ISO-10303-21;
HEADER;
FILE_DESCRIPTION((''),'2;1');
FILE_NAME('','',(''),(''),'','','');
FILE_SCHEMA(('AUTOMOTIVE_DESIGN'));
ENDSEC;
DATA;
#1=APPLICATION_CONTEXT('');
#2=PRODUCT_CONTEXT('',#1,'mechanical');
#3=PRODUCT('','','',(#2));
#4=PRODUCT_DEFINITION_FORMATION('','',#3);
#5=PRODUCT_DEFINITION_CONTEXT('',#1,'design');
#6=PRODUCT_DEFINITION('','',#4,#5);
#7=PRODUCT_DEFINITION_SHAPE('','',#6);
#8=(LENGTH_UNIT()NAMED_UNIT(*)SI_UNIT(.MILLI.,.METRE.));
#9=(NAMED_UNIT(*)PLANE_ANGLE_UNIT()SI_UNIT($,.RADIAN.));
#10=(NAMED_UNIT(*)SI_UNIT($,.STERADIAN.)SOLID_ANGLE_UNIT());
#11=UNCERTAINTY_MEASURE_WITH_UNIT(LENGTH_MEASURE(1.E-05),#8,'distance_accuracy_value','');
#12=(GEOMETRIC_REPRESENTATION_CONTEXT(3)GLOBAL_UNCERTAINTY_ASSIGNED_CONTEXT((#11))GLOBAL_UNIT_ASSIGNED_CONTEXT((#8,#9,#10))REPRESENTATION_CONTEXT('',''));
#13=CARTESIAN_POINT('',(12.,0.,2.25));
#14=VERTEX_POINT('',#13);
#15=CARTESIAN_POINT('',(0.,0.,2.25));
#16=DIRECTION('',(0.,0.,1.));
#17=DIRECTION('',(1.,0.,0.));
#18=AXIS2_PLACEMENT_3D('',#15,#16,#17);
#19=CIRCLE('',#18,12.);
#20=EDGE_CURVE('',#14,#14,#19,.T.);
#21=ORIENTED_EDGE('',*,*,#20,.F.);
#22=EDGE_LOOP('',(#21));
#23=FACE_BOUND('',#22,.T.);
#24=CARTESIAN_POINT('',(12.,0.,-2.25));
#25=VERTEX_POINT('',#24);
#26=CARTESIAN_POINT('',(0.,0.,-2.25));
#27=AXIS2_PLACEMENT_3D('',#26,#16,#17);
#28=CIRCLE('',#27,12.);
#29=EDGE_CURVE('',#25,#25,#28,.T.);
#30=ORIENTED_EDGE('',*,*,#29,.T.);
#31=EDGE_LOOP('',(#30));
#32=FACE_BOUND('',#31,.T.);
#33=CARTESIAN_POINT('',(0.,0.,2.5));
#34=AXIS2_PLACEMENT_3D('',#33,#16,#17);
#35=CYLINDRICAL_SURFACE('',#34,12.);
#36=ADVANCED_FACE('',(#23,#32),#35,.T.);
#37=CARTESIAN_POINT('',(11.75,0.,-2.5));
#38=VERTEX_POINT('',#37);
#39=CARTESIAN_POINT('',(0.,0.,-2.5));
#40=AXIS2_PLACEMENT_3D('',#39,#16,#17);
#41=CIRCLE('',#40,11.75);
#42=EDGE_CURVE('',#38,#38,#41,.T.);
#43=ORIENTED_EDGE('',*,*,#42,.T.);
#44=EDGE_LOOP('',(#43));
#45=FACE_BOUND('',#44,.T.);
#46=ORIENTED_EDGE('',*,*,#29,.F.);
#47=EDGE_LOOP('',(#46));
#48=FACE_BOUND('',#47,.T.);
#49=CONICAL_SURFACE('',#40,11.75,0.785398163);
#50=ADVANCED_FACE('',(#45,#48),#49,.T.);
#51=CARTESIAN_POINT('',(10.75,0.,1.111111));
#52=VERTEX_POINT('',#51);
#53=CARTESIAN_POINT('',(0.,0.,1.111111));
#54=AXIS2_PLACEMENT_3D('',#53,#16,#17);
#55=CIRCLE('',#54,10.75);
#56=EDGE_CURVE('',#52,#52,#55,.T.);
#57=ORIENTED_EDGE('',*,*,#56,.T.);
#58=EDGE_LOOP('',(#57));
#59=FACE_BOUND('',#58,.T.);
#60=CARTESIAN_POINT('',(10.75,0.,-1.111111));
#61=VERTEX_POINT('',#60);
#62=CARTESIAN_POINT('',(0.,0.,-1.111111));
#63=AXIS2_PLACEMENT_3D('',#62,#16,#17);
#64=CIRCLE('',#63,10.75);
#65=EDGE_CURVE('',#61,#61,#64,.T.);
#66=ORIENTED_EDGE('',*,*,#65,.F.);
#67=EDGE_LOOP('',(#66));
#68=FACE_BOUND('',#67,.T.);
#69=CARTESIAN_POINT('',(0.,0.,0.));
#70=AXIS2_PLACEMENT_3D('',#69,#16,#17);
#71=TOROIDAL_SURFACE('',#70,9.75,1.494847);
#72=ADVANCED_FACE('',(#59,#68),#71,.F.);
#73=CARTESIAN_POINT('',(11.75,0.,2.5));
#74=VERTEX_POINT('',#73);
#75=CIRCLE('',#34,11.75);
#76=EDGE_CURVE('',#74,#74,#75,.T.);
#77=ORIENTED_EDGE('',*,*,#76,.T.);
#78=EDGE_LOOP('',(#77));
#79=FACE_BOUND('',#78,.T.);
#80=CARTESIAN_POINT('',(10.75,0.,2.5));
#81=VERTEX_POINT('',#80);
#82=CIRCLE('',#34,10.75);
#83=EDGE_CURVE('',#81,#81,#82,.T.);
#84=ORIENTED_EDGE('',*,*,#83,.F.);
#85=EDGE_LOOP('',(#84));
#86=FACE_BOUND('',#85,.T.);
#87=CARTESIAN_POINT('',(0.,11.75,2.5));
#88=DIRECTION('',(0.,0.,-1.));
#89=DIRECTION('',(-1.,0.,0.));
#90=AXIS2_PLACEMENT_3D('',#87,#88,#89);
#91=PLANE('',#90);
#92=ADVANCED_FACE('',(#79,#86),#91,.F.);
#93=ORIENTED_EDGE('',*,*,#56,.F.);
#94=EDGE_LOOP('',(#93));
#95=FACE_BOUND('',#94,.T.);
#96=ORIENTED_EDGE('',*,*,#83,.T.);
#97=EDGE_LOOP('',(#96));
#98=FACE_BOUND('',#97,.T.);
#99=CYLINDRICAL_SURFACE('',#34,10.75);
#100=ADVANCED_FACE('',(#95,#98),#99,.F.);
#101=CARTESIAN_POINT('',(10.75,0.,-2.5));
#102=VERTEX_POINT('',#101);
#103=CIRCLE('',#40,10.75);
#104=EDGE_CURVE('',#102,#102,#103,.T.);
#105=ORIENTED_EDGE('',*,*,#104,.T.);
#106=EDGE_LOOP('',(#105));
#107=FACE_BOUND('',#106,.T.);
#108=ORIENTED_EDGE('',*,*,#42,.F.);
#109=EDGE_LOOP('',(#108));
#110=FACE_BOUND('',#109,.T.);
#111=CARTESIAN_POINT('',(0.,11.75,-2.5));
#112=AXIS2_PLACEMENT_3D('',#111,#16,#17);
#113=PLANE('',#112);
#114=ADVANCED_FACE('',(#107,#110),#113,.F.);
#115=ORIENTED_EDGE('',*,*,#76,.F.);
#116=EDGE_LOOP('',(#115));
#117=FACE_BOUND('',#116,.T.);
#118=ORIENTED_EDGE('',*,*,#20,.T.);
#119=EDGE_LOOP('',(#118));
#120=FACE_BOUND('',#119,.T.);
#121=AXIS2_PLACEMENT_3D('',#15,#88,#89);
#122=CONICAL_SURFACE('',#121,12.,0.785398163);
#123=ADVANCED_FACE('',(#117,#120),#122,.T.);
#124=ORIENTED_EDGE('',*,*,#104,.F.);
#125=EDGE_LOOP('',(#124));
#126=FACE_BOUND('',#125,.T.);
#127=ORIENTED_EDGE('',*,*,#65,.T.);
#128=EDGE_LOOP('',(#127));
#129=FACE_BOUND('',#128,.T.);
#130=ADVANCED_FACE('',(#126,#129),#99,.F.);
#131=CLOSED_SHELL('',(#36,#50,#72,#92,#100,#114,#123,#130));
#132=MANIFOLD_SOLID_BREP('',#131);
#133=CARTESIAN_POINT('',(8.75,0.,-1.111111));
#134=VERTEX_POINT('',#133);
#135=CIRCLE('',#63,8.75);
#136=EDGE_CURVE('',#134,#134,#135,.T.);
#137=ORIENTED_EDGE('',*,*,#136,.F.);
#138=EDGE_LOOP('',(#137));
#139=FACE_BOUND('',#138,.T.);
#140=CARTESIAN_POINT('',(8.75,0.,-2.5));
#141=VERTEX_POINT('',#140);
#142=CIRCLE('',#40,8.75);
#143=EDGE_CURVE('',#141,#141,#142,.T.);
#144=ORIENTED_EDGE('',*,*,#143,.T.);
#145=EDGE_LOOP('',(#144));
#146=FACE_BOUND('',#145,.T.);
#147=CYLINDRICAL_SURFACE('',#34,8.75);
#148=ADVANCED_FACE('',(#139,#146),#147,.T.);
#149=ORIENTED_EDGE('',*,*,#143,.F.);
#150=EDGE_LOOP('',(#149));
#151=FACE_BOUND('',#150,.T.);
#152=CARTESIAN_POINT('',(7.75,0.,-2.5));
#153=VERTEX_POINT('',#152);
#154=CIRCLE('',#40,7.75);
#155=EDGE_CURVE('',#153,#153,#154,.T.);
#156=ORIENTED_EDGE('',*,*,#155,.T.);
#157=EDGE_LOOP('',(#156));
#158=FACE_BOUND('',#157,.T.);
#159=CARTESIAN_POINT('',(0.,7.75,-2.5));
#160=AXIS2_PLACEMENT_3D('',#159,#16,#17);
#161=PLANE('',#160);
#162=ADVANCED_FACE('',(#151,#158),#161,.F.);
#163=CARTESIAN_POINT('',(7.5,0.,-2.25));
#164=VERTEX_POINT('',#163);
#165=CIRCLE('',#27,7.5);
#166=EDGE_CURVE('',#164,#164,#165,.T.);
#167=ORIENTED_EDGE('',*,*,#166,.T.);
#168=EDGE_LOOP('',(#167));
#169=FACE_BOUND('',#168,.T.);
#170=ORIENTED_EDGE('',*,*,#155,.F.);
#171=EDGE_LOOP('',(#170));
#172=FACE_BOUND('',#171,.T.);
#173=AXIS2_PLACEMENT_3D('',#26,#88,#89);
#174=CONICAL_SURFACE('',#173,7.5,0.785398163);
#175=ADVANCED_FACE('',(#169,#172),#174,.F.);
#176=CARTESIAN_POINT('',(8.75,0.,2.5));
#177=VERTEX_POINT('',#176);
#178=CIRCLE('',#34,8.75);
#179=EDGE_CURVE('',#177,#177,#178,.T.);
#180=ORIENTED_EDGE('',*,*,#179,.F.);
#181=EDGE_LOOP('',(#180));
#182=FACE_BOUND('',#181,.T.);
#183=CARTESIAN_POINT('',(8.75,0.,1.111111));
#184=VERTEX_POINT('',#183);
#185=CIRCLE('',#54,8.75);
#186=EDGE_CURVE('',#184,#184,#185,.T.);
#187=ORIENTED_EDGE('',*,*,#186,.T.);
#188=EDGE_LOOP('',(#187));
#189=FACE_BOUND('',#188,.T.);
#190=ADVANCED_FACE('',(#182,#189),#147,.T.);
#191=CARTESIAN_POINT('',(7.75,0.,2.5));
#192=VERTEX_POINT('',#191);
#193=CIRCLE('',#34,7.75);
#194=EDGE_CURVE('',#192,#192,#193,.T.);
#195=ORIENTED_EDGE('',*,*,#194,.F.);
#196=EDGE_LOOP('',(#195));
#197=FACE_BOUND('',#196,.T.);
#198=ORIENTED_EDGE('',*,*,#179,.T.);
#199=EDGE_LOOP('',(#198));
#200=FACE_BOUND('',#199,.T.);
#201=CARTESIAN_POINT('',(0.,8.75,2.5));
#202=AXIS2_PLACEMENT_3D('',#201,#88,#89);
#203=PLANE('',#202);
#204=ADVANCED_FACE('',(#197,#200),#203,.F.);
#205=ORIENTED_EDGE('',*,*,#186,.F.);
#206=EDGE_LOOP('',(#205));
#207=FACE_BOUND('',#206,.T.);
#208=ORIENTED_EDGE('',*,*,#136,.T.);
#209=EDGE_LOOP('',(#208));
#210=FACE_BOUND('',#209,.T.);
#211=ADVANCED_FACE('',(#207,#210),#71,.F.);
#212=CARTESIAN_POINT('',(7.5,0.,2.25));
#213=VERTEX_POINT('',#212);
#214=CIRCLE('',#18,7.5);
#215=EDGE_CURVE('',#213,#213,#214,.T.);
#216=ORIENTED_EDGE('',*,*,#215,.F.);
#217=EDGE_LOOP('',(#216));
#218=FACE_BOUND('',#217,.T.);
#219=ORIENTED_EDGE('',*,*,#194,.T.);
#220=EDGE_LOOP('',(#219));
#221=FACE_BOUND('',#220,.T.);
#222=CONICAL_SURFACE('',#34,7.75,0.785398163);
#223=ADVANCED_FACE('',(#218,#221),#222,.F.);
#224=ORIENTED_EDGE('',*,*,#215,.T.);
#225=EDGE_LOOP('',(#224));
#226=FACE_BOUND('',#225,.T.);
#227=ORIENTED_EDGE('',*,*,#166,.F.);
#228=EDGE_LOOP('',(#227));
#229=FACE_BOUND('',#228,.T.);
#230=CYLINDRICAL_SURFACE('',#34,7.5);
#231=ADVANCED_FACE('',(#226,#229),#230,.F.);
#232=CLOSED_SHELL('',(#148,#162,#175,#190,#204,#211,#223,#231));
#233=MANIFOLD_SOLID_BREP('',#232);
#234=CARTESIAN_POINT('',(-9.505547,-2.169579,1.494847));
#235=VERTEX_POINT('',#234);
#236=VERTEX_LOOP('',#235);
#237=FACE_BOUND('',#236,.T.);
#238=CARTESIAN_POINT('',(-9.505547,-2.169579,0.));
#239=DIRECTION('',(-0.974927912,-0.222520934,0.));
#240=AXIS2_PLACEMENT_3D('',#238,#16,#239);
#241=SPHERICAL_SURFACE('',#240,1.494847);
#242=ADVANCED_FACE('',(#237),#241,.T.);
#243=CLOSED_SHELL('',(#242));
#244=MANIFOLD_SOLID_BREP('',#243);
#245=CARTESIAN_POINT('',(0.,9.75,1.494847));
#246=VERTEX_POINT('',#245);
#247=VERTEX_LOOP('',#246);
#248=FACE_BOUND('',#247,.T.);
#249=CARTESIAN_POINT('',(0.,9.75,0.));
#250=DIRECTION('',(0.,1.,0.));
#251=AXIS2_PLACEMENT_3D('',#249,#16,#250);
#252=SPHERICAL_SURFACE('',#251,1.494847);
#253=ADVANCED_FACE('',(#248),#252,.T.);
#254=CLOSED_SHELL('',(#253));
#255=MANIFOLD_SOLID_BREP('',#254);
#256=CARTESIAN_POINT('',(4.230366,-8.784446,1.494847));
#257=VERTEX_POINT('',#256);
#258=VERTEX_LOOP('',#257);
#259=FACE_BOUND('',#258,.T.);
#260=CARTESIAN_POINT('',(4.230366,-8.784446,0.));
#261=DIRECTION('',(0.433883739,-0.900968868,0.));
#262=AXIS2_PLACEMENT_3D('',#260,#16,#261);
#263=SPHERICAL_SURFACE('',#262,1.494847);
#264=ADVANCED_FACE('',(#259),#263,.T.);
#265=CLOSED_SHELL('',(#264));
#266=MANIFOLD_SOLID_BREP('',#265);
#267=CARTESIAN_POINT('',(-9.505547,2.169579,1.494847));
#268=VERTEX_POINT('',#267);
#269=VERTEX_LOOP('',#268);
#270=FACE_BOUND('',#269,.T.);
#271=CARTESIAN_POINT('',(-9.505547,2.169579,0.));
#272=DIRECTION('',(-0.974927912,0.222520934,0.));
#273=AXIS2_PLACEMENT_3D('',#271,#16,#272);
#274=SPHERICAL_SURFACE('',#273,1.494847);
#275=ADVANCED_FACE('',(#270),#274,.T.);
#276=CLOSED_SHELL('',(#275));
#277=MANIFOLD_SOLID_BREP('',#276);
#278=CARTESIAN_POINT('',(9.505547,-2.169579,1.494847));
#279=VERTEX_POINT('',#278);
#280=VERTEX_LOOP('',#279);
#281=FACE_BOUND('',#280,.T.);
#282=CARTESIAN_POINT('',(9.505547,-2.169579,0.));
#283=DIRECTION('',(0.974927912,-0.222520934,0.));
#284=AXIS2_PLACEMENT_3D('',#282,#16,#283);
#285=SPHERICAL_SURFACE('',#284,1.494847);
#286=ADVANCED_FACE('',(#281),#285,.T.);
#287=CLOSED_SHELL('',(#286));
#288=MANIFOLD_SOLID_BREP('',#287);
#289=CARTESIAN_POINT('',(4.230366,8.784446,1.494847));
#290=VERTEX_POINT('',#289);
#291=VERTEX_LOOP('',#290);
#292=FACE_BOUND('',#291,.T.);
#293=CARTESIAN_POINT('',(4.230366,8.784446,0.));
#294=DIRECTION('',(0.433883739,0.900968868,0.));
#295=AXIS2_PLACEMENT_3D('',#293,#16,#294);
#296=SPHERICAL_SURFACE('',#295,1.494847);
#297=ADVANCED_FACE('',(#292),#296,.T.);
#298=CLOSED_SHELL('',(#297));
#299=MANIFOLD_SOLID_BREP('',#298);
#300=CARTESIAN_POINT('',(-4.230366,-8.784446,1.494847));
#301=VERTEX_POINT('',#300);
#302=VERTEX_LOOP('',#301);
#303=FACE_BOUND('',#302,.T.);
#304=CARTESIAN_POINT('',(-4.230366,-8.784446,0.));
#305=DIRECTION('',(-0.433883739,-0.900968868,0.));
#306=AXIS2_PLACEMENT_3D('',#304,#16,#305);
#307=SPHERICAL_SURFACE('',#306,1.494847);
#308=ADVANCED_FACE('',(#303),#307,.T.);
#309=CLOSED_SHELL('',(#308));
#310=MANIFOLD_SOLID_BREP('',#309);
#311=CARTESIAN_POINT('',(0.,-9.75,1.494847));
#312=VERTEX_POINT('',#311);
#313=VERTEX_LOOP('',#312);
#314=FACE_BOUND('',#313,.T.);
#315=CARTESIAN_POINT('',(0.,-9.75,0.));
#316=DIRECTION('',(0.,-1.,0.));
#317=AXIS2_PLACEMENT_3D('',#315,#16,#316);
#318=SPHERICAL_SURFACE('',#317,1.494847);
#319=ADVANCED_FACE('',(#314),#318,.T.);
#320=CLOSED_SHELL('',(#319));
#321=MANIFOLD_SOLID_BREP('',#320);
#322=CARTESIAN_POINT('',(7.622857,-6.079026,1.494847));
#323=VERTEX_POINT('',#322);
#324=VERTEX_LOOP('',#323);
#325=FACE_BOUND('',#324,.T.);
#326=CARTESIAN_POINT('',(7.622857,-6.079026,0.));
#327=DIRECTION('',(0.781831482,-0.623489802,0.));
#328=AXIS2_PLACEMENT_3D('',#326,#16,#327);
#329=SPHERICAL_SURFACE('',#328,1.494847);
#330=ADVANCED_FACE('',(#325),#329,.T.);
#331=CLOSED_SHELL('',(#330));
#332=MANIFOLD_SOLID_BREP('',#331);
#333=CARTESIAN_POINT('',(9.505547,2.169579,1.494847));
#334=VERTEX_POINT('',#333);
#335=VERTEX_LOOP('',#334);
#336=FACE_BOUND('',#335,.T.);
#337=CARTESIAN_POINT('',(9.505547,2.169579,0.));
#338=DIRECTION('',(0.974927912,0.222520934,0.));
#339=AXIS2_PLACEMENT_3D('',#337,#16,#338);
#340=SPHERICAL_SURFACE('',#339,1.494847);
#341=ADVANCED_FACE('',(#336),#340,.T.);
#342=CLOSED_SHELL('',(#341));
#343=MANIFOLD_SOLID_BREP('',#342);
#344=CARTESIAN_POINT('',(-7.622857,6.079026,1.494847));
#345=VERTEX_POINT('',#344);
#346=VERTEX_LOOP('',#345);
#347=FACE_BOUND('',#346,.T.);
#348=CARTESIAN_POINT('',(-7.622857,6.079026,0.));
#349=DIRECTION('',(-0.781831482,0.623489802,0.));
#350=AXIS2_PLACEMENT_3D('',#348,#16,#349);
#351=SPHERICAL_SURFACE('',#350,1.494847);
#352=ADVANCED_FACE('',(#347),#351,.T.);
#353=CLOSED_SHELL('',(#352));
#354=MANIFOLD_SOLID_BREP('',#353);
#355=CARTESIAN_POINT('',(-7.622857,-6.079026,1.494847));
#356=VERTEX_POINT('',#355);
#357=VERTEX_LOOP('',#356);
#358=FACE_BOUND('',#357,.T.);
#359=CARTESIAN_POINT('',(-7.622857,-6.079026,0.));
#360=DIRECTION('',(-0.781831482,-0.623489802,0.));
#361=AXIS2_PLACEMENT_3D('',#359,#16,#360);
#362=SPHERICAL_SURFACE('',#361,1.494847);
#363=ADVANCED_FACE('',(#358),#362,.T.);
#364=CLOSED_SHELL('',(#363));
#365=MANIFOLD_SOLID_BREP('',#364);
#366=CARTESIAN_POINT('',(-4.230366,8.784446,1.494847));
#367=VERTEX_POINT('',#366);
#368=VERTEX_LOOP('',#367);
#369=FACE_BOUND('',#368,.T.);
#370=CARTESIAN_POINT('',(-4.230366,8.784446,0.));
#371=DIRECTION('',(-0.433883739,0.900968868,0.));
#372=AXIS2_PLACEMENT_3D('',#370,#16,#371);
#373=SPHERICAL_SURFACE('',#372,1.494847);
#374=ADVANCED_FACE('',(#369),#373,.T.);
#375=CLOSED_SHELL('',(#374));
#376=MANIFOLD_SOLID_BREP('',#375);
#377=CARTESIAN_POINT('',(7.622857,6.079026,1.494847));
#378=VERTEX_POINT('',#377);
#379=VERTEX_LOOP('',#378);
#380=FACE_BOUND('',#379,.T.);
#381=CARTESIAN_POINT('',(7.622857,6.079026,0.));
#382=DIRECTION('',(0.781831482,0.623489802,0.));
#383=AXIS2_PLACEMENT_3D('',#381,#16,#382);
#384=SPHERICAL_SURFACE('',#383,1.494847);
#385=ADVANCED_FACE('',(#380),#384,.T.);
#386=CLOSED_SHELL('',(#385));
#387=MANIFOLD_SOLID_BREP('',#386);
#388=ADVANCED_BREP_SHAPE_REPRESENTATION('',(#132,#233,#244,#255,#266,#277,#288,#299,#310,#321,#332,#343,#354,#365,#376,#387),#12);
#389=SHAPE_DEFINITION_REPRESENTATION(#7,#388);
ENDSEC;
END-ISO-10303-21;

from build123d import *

# Parameters (mm, degrees)
CIRPATTERN1_COUNT = 14


with BuildPart() as part:
    # Sketch5 → Revolve1 (revolve)
    with BuildSketch(Plane(origin=(0, 0, 0), x_dir=(0, 0, -1), z_dir=(1, 0, 0))):
        with BuildLine():
            Line((2.25, 12), (-2.25, 12))
            Line((-2.25, 12), (-2.5, 11.75))
            Line((-2.5, 11.75), (-2.5, 10.75))
            Line((-2.5, 10.75), (-1.111111111, 10.75))
            ThreePointArc((-1.111111111, 10.75), (0, 11.244847116), (1.111111111, 10.75))
            Line((1.111111111, 10.75), (2.5, 10.75))
            Line((2.5, 10.75), (2.5, 11.75))
            Line((2.5, 11.75), (2.25, 12))
        make_face()
    revolve(axis=Axis((0, 0, 2.5), (0, 0, -1)))


with BuildPart() as body_2:
    # Sketch3 → Revolve3 (revolve)
    with BuildSketch(Plane(origin=(0, 0, 0), x_dir=(0, 0, -1), z_dir=(1, 0, 0))):
        with BuildLine():
            Line((-2.5, 8.75), (-1.111111111, 8.75))
            ThreePointArc((-1.111111111, 8.75), (0, 8.255152884), (1.111111111, 8.75))
            Line((1.111111111, 8.75), (2.5, 8.75))
            Line((2.5, 8.75), (2.5, 7.75))
            Line((2.5, 7.75), (2.25, 7.5))
            Line((2.25, 7.5), (-2.25, 7.5))
            Line((-2.25, 7.5), (-2.5, 7.75))
            Line((-2.5, 7.75), (-2.5, 8.75))
        make_face()
    revolve(axis=Axis((0, 0, 2.5), (0, 0, -1)))


with BuildPart() as body_3:
    # Sketch4 → Revolve4 (revolve)
    with BuildSketch(Plane(origin=(0, 0, 0), x_dir=(0, 0, -1), z_dir=(1, 0, 0))):
        with BuildLine():
            Line((-1.494847116, 9.75), (1.494847116, 9.75))
            ThreePointArc((1.494847116, 9.75), (0, 11.244847116), (-1.494847116, 9.75))
        make_face()
    revolve(axis=Axis((0, 9.75, 1.494847116), (0, 0, -1)))


with BuildPart() as cirpattern1_1:
    # CirPattern1: pattern copy
    add(body_3.part.rotate(Axis((0, 0, 0), (0, 0, 1)), 1 * 360 / CIRPATTERN1_COUNT))


with BuildPart() as cirpattern1_2:
    # CirPattern1: pattern copy
    add(body_3.part.rotate(Axis((0, 0, 0), (0, 0, 1)), 2 * 360 / CIRPATTERN1_COUNT))


with BuildPart() as cirpattern1_3:
    # CirPattern1: pattern copy
    add(body_3.part.rotate(Axis((0, 0, 0), (0, 0, 1)), 3 * 360 / CIRPATTERN1_COUNT))


with BuildPart() as cirpattern1_4:
    # CirPattern1: pattern copy
    add(body_3.part.rotate(Axis((0, 0, 0), (0, 0, 1)), 4 * 360 / CIRPATTERN1_COUNT))


with BuildPart() as cirpattern1_5:
    # CirPattern1: pattern copy
    add(body_3.part.rotate(Axis((0, 0, 0), (0, 0, 1)), 5 * 360 / CIRPATTERN1_COUNT))


with BuildPart() as cirpattern1_6:
    # CirPattern1: pattern copy
    add(body_3.part.rotate(Axis((0, 0, 0), (0, 0, 1)), 6 * 360 / CIRPATTERN1_COUNT))


with BuildPart() as cirpattern1_7:
    # CirPattern1: pattern copy
    add(body_3.part.rotate(Axis((0, 0, 0), (0, 0, 1)), 7 * 360 / CIRPATTERN1_COUNT))


with BuildPart() as cirpattern1_8:
    # CirPattern1: pattern copy
    add(body_3.part.rotate(Axis((0, 0, 0), (0, 0, 1)), 8 * 360 / CIRPATTERN1_COUNT))


with BuildPart() as cirpattern1_9:
    # CirPattern1: pattern copy
    add(body_3.part.rotate(Axis((0, 0, 0), (0, 0, 1)), 9 * 360 / CIRPATTERN1_COUNT))


with BuildPart() as cirpattern1_10:
    # CirPattern1: pattern copy
    add(body_3.part.rotate(Axis((0, 0, 0), (0, 0, 1)), 10 * 360 / CIRPATTERN1_COUNT))


with BuildPart() as cirpattern1_11:
    # CirPattern1: pattern copy
    add(body_3.part.rotate(Axis((0, 0, 0), (0, 0, 1)), 11 * 360 / CIRPATTERN1_COUNT))


with BuildPart() as cirpattern1_12:
    # CirPattern1: pattern copy
    add(body_3.part.rotate(Axis((0, 0, 0), (0, 0, 1)), 12 * 360 / CIRPATTERN1_COUNT))


with BuildPart() as cirpattern1_13:
    # CirPattern1: pattern copy
    add(body_3.part.rotate(Axis((0, 0, 0), (0, 0, 1)), 13 * 360 / CIRPATTERN1_COUNT))


solid = Compound([part.part, body_2.part, body_3.part, cirpattern1_1.part, cirpattern1_2.part, cirpattern1_3.part, cirpattern1_4.part, cirpattern1_5.part, cirpattern1_6.part, cirpattern1_7.part, cirpattern1_8.part, cirpattern1_9.part, cirpattern1_10.part, cirpattern1_11.part, cirpattern1_12.part, cirpattern1_13.part])
